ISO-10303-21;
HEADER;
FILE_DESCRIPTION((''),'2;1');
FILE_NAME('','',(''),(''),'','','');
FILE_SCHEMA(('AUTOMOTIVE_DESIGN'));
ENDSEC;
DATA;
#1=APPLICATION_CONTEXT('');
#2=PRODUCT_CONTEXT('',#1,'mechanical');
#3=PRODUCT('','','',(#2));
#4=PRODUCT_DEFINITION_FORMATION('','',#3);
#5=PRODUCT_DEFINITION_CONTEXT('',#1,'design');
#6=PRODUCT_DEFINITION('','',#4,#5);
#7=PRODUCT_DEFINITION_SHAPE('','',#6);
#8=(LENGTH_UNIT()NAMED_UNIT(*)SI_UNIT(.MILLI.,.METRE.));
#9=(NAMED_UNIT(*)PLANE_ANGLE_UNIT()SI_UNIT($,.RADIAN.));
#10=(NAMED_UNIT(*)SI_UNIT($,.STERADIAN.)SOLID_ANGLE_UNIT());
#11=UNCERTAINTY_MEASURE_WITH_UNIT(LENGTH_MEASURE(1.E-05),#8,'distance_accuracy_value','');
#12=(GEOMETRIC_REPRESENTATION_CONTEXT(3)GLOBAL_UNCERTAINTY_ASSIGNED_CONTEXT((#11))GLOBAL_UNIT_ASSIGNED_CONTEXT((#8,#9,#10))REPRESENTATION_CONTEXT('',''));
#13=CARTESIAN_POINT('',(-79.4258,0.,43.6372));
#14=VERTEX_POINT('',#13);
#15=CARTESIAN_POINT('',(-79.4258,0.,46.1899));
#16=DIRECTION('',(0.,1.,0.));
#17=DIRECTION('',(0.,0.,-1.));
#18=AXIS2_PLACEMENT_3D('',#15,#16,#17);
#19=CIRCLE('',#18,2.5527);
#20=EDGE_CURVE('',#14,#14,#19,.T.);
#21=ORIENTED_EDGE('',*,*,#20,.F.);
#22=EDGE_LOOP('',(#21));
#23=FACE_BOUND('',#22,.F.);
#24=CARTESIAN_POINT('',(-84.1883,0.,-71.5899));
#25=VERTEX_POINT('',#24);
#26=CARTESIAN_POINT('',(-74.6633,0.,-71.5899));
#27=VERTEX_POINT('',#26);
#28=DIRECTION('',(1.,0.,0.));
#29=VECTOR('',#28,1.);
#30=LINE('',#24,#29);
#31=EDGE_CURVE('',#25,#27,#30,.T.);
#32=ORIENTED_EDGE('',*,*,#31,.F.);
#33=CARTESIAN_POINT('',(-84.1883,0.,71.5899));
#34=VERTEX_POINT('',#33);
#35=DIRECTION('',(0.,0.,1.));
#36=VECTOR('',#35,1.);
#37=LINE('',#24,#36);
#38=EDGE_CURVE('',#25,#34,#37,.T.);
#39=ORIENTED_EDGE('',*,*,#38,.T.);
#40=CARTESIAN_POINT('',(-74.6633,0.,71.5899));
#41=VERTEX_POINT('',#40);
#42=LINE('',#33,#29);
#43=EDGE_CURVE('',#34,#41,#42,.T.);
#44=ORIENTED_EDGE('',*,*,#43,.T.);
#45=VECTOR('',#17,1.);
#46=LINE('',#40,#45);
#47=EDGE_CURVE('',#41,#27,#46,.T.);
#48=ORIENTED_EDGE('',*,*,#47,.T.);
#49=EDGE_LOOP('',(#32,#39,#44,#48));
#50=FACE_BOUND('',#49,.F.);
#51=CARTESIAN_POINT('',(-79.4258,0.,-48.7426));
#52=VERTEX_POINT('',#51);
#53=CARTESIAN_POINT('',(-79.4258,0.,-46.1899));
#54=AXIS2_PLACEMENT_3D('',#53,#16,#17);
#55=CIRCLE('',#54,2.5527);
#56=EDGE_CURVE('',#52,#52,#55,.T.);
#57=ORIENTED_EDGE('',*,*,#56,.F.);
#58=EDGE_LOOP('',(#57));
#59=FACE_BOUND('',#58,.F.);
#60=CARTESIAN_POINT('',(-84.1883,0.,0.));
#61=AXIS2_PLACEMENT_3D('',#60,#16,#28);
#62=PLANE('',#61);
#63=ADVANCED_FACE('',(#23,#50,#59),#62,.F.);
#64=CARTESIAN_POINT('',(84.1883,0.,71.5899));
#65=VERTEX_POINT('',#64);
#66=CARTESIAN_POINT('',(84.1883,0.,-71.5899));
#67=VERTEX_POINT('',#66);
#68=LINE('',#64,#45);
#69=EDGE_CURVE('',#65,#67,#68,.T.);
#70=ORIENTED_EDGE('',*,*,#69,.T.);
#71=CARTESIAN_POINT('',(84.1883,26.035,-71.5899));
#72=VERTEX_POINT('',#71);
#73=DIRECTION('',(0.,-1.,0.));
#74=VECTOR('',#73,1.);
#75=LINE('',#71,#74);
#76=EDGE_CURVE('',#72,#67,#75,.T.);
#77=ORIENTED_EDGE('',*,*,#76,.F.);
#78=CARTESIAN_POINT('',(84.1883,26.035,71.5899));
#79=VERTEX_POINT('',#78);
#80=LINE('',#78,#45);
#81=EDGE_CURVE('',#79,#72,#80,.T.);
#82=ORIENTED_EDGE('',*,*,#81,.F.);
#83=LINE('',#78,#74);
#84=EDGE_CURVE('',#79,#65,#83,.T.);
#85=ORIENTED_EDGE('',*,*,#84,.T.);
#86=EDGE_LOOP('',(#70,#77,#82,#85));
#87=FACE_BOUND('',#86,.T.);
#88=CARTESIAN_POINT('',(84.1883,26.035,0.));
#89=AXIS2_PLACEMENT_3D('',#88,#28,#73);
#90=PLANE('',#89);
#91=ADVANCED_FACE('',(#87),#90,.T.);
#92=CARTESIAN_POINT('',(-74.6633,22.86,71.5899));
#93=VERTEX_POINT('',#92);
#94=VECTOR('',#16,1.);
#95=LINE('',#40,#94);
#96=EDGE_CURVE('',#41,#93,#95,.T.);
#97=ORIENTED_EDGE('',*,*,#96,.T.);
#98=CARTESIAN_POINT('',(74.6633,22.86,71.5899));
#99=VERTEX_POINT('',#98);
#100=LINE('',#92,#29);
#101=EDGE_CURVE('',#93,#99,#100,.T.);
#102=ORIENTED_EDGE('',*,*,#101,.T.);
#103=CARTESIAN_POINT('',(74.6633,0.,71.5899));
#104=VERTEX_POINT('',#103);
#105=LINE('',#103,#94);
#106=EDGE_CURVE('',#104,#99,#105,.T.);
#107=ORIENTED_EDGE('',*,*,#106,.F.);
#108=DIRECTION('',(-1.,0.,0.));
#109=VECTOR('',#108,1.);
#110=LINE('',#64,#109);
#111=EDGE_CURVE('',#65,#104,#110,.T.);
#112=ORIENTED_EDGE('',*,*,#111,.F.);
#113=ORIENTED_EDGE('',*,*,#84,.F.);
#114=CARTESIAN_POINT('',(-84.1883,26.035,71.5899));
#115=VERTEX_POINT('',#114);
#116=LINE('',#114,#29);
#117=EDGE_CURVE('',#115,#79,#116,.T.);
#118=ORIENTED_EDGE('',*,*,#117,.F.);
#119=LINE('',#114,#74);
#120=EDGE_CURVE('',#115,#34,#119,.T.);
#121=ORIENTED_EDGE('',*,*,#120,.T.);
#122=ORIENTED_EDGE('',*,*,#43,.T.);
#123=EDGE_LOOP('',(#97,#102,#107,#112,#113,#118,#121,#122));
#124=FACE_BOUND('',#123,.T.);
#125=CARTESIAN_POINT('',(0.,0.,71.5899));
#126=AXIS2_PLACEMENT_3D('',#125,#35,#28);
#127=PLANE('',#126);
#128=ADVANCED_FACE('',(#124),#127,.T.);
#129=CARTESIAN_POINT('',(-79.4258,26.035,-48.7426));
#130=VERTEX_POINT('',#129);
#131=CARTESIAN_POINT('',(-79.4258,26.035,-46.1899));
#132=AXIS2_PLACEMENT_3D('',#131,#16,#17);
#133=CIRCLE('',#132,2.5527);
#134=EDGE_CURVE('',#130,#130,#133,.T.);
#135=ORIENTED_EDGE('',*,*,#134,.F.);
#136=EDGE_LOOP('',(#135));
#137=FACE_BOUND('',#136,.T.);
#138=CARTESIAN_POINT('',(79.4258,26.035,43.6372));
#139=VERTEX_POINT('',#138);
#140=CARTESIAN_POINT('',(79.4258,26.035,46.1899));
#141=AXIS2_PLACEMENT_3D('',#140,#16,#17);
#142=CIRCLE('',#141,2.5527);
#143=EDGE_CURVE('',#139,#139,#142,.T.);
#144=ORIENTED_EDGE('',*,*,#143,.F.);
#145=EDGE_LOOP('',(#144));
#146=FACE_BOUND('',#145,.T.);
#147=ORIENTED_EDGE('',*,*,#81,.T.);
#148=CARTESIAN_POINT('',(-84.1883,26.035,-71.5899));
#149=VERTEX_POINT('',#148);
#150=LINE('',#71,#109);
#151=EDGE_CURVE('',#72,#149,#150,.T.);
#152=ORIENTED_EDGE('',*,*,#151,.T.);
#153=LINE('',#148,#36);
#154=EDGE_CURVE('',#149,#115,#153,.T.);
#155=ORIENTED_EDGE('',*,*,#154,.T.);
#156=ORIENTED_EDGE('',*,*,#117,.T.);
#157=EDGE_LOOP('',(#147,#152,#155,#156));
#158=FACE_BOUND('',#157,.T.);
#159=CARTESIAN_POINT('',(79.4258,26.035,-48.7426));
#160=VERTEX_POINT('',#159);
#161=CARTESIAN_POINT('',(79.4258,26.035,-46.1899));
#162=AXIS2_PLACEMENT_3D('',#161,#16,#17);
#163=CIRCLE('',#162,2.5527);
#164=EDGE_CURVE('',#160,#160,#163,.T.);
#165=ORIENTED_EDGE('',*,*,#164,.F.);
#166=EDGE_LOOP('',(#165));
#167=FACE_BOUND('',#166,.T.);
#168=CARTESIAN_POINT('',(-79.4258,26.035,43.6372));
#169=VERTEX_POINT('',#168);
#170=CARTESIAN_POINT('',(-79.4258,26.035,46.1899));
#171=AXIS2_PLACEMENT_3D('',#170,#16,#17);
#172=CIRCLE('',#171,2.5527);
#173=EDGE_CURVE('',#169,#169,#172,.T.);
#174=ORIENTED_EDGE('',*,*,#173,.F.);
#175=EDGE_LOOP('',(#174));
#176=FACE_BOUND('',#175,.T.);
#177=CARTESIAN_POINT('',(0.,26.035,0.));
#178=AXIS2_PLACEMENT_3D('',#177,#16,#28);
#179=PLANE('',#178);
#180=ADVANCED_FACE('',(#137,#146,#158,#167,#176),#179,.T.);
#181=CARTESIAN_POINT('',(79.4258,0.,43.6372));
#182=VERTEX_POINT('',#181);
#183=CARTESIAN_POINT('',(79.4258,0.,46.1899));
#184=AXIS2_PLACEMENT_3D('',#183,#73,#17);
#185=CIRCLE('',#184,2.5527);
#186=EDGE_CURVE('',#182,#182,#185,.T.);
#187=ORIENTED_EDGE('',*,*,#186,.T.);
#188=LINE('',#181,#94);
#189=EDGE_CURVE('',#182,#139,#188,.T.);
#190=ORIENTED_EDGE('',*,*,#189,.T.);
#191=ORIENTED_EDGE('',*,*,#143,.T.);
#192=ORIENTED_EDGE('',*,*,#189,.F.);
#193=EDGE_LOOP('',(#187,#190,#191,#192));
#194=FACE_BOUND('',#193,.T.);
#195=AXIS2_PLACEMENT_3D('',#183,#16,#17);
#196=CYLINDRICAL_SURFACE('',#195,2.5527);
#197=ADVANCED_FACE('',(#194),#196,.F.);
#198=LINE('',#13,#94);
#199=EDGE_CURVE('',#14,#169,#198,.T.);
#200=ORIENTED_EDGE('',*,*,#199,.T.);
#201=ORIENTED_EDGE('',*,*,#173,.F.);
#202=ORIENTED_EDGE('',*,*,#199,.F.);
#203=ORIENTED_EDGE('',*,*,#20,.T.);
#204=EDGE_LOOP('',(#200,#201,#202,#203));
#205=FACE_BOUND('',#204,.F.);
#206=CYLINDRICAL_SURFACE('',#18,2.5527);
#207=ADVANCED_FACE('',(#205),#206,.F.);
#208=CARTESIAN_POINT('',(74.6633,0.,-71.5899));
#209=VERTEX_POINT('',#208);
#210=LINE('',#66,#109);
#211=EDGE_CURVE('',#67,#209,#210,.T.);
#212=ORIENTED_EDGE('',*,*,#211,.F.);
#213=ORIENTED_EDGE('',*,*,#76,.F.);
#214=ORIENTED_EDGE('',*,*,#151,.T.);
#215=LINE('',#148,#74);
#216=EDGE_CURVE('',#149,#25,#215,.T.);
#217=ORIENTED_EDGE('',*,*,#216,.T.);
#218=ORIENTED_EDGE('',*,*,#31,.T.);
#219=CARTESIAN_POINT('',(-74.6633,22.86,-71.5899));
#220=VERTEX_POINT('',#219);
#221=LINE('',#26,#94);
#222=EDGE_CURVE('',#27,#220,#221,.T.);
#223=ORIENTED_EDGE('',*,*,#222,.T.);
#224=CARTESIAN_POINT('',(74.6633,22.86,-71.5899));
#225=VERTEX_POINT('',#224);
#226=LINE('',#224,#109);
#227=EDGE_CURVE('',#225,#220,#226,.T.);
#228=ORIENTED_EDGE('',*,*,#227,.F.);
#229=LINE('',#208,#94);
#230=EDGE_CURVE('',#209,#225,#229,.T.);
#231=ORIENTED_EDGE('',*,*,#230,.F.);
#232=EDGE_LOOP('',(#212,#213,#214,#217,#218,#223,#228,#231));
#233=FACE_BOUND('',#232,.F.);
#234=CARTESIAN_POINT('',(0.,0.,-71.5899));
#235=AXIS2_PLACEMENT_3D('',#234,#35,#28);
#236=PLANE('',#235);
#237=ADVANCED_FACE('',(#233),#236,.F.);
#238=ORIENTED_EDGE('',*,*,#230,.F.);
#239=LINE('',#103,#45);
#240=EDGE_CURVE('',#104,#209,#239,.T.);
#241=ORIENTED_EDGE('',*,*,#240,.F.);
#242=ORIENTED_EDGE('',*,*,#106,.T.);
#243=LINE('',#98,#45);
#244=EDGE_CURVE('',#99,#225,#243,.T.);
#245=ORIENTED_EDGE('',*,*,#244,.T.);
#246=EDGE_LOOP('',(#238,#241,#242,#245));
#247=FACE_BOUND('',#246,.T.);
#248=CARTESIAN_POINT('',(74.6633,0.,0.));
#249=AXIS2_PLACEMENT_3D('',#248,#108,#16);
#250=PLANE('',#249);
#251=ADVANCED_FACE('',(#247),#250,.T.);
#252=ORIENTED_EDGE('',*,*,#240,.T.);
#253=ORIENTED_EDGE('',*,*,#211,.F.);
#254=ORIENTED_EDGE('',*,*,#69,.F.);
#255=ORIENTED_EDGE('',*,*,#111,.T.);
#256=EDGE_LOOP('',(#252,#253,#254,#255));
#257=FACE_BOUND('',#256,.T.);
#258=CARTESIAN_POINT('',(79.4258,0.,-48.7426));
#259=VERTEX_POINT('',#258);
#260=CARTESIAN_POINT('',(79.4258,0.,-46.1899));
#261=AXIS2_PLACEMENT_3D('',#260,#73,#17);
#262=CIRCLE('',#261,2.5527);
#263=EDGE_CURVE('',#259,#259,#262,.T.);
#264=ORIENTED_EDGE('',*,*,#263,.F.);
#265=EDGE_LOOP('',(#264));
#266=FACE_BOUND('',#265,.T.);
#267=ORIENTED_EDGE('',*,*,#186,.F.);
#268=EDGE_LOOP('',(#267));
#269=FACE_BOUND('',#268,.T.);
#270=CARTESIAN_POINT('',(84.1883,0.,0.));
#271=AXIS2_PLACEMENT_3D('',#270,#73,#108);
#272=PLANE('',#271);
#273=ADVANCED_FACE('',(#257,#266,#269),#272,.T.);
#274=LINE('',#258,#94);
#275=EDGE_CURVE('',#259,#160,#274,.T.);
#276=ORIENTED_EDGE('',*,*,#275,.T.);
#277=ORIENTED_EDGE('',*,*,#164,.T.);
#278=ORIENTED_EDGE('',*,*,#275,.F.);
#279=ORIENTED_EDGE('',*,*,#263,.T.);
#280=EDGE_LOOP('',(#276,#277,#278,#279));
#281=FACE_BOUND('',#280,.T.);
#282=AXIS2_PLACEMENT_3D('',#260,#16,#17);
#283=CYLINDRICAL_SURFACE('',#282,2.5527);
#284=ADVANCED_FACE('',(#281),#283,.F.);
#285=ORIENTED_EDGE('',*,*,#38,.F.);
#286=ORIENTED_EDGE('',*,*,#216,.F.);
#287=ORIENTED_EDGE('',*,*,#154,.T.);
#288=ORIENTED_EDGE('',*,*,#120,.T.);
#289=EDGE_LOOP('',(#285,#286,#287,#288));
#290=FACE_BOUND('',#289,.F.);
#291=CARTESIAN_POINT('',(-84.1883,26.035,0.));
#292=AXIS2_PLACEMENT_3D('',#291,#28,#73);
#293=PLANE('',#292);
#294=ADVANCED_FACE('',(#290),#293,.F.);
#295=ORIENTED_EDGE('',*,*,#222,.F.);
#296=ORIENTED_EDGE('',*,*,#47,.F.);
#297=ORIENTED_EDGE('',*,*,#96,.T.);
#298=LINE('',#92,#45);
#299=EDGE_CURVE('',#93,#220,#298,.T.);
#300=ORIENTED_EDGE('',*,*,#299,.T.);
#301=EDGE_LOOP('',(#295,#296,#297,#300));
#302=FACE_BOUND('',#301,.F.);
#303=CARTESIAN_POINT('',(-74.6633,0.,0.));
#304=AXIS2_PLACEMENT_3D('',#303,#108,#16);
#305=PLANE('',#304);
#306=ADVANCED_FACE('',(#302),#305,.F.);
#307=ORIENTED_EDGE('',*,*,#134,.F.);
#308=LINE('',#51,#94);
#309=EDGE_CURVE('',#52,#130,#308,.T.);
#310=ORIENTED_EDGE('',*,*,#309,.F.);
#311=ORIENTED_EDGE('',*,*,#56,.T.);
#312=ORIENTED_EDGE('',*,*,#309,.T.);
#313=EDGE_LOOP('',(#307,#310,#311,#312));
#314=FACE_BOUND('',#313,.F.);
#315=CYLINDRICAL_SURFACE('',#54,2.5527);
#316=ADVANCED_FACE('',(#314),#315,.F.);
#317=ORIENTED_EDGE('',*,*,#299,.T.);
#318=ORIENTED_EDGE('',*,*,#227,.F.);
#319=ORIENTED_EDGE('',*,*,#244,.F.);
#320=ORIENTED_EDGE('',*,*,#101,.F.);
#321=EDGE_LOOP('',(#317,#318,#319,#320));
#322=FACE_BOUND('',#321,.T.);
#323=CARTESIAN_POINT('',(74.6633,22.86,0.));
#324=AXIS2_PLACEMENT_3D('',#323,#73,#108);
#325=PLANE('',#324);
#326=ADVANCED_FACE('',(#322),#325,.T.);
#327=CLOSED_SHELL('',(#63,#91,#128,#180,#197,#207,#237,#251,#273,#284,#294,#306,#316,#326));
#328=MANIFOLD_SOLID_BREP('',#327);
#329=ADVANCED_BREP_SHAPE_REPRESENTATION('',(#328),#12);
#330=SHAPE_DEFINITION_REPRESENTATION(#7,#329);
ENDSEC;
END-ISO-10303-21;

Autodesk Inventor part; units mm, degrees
ref_plane "YZ Plane" through (0, 0, 0) normal (1, 0, 0) x (0, 1, 0)
ref_plane "XZ Plane" through (0, 0, 0) normal (0, 1, 0) x (-1, 0, 0)
ref_plane "XY Plane" through (0, 0, 0) normal (0, 0, 1) x (1, 0, 0)
sketch "Sketch1" plane through (0, 0, 0) normal (0, 0, 1) x (1, 0, 0)
  line L0 (0, 26.035) -> (-84.1883, 26.035)
  line L1 (-84.1883, 26.035) -> (-84.1883, 0)
  line L2 (-84.1883, 0) -> (-74.6633, 0)
  line L3 (-74.6633, 0) -> (-74.6633, 22.86)
  line L4 (-74.6633, 22.86) -> (0, 22.86)
  line L5 (0, 0) -> (0, 26.035) construction
  line L6 (0, 26.035) -> (84.1883, 26.035)
  line L7 (84.1883, 26.035) -> (84.1883, 0)
  line L8 (84.1883, 0) -> (74.6633, 0)
  line L9 (74.6633, 0) -> (74.6633, 22.86)
  line L10 (74.6633, 22.86) -> (0, 22.86)
  dimension "d0" = 22.86
  dimension "d1" = 3.175
  dimension "d2" = 9.525
  dimension "d3" = 74.6633
extrude "Extrusion1" add sketch "Sketch1" along normal mid plane 143.1798
sketch "Sketch2" plane through (-84.1883, 0, 71.5899) normal (0, -1, 0) x (1, 0, 0)
  line L0 (0, -143.1798) -> (168.3766, -143.1798) construction
  line L1 (4.7625, -143.1798) -> (4.7625, -0.1575) construction
  line L2 (0, 0) -> (9.525, 0) projected
  point P0 (84.1883, -71.5899)
  point P1 (4.7625, -117.7798)
  point P2 (4.7625, -25.4)
  dimension "d6" = 4.7625
  dimension "d7" = 25.4
  dimension "d8" = 25.4
hole "Hole1" at (-79.4258, 0, -46.1899) at (-79.4258, 0, 46.1899) direction (0, 1, 0) diameter 5.1054 end through all clearance for "Flat Head Machine Screw (82)" size "#10" standard "Ansi Unified Screw Threads"
mirror "Mirror1" about plane through (0, 0, 0) normal (1, 0, 0) of "Hole1"
sketch "Sketch3" plane through (-84.1883, 26.035, 71.5899) normal (0, 1, 0) x (1, 0, 0)
  line L0 (11.1125, 0) -> (157.2641, 0) construction
  line L1 (157.2641, 0) -> (157.2641, 143.1798) construction
  line L2 (157.2641, 143.1798) -> (11.1125, 143.1798) construction
  line L3 (11.1125, 143.1798) -> (11.1125, 0) construction
  line L4 (11.1125, 0) -> (157.2641, 143.1798) construction
  line L5 (157.2641, 0) -> (11.1125, 143.1798) construction
  line L6 (51.9303, 1.2954) -> (83.4263, 1.2954)
  line L7 (83.4263, 1.2954) -> (83.4263, 9.9314)
  line L8 (83.4263, 9.9314) -> (51.9303, 9.9314)
  line L9 (51.9303, 9.9314) -> (51.9303, 1.2954)
  line L10 (51.9303, 1.2954) -> (83.4263, 9.9314) construction
  line L11 (83.4263, 1.2954) -> (51.9303, 9.9314) construction
  line L12 (168.3766, 0) -> (0, 0) projected
  line L13 (84.9503, 1.2954) -> (116.4463, 1.2954)
  line L14 (116.4463, 1.2954) -> (116.4463, 9.9314)
  line L15 (116.4463, 9.9314) -> (84.9503, 9.9314)
  line L16 (84.9503, 9.9314) -> (84.9503, 1.2954)
  line L17 (84.9503, 1.2954) -> (116.4463, 9.9314) construction
  line L18 (116.4463, 1.2954) -> (84.9503, 9.9314) construction
  line L19 (123.5075, 2.8702) -> (145.4785, 2.8702)
  line L20 (145.4785, 2.8702) -> (145.4785, 20.6502)
  line L21 (145.4785, 20.6502) -> (123.5075, 20.6502)
  line L22 (123.5075, 20.6502) -> (123.5075, 2.8702)
  line L23 (123.5075, 2.8702) -> (145.4785, 20.6502) construction
  line L24 (145.4785, 2.8702) -> (123.5075, 20.6502) construction
  line L25 (15.2273, 15.1892) -> (24.7523, 15.1892)
  line L26 (24.7523, 15.1892) -> (24.7523, 92.4052)
  line L27 (24.7523, 92.4052) -> (15.2273, 92.4052)
  line L28 (15.2273, 92.4052) -> (15.2273, 15.1892)
  line L29 (15.2273, 15.1892) -> (24.7523, 92.4052) construction
  line L30 (24.7523, 15.1892) -> (15.2273, 92.4052) construction
  line L31 (123.0503, 118.7704) -> (133.0833, 118.7704)
  line L32 (133.0833, 118.7704) -> (133.0833, 140.8684)
  line L33 (133.0833, 140.8684) -> (123.0503, 140.8684)
  line L34 (123.0503, 140.8684) -> (123.0503, 118.7704)
  line L35 (123.0503, 118.7704) -> (133.0833, 140.8684) construction
  line L36 (133.0833, 118.7704) -> (123.0503, 140.8684) construction
  line L37 (137.5791, 97.028) -> (157.2641, 97.028)
  line L38 (157.2641, 97.028) -> (157.2641, 133.096)
  line L39 (157.2641, 133.096) -> (137.5791, 133.096)
  line L40 (137.5791, 133.096) -> (137.5791, 97.028)
  line L41 (137.5791, 97.028) -> (157.2641, 133.096) construction
  line L42 (157.2641, 97.028) -> (137.5791, 133.096) construction
  line L43 (144.5133, 16.3322) -> (154.0383, 16.3322)
  line L44 (154.0383, 16.3322) -> (154.0383, 95.4786)
  line L45 (154.0383, 95.4786) -> (144.5133, 95.4786)
  line L46 (144.5133, 95.4786) -> (144.5133, 16.3322)
  line L47 (144.5133, 16.3322) -> (154.0383, 95.4786) construction
  line L48 (154.0383, 16.3322) -> (144.5133, 95.4786) construction
  line L49 (36.8173, 121.8184) -> (48.1203, 121.8184)
  line L50 (48.1203, 121.8184) -> (48.1203, 139.0904)
  line L51 (48.1203, 139.0904) -> (36.8173, 139.0904)
  line L52 (36.8173, 139.0904) -> (36.8173, 121.8184)
  line L53 (36.8173, 121.8184) -> (48.1203, 139.0904) construction
  line L54 (48.1203, 121.8184) -> (36.8173, 139.0904) construction
  line L55 (29.0703, 4.1148) -> (37.8333, 4.1148)
  line L56 (37.8333, 4.1148) -> (37.8333, 12.8778)
  line L57 (37.8333, 12.8778) -> (29.0703, 12.8778)
  line L58 (29.0703, 12.8778) -> (29.0703, 4.1148)
  line L59 (29.0703, 4.1148) -> (37.8333, 12.8778) construction
  line L60 (37.8333, 4.1148) -> (29.0703, 12.8778) construction
  line L61 (15.2273, 95.2754) -> (24.7523, 95.2754)
  line L62 (24.7523, 95.2754) -> (24.7523, 104.8004)
  line L63 (24.7523, 104.8004) -> (15.2273, 104.8004)
  line L64 (15.2273, 104.8004) -> (15.2273, 95.2754)
  line L65 (15.2273, 95.2754) -> (24.7523, 104.8004) construction
  line L66 (24.7523, 95.2754) -> (15.2273, 104.8004) construction
  line L67 (15.2273, 106.68) -> (25.8953, 106.68)
  line L68 (25.8953, 106.68) -> (25.8953, 114.681)
  line L69 (25.8953, 114.681) -> (15.2273, 114.681)
  line L70 (15.2273, 114.681) -> (15.2273, 106.68)
  line L71 (15.2273, 106.68) -> (25.8953, 114.681) construction
  line L72 (25.8953, 106.68) -> (15.2273, 114.681) construction
  point P0 (84.1883, 71.5899)
  point P1 (67.6783, 5.6134)
  point P2 (100.6983, 5.6134)
  point P3 (134.493, 11.7602)
  point P4 (19.9898, 53.7972)
  point P5 (128.0668, 129.8194)
  point P6 (147.4216, 115.062)
  point P7 (149.2758, 55.9054)
  point P8 (42.4688, 130.4544)
  point P9 (33.4518, 8.4963)
  point P10 (19.9898, 100.0379)
  point P11 (20.5613, 110.6805)
  dimension "d16" = 143.1798
  dimension "d17" = 146.1516
  dimension "d18" = 31.496
  dimension "d19" = 8.636
  dimension "d20" = 40.8178
  dimension "d21" = 1.2954
  dimension "d22" = 31.496
  dimension "d23" = 8.636
  dimension "d24" = 73.8378
  dimension "d25" = 1.2954
  dimension "d26" = 17.78
  dimension "d27" = 21.971
  dimension "d28" = 2.8702
  dimension "d29" = 112.395
  dimension "d30" = 77.216
  dimension "d31" = 9.525
  dimension "d32" = 15.1892
  dimension "d33" = 4.1148
  dimension "d34" = 10.033
  dimension "d35" = 22.098
  dimension "d36" = 111.9378
  dimension "d37" = 118.7704
  dimension "d38" = 19.685
  dimension "d39" = 36.068
  dimension "d40" = 97.028
  dimension "d41" = 9.525
  dimension "d42" = 79.1464
  dimension "d43" = 16.3322
  dimension "d44" = 133.4008
  dimension "d45" = 11.303
  dimension "d46" = 17.272
  dimension "d47" = 25.7048
  dimension "d48" = 121.8184
  dimension "d49" = 8.763
  dimension "d50" = 8.763
  dimension "d51" = 17.9578
  dimension "d52" = 4.1148
  dimension "d53" = 9.525
  dimension "d54" = 9.525
  dimension "d55" = 95.2754
  dimension "d56" = 4.1148
  dimension "d57" = 10.668
  dimension "d58" = 8.001
  dimension "d59" = 4.1148
  dimension "d60" = 106.68
equation "\"d0\" = heightForRIO"
equation "\"d1\" = topWallThickness"
equation "\"d2\" = edgeWallThickness"
equation "\"d3\" = 0.5 * widthOfRIO + widthAirGap"
equation "\"d4\" = depthOfRIO"
equation "\"d6\" = 0.5 * edgeWallThickness"
equation "\"d16\" = depthOfRIO"
equation "\"d17\" = widthOfRIO"
equation "\"d18\" = widthForBottomRelay"
equation "\"d19\" = depthForBottomRelay"
equation "\"d20\" = edgeToBottomRelay"
equation "\"d21\" = bottomToBottomRelay"
equation "\"d22\" = widthForBottomAnalogIn"
equation "\"d23\" = depthForBottomAnalogIn"
equation "\"d24\" = edgeToBottomAnalogIn"
equation "\"d25\" = bottomToBottomAnalogIn"
equation "\"d26\" = buttonDepth"
equation "\"d27\" = buttonWidth"
equation "\"d28\" = bottomToBottomButton"
equation "\"d29\" = edgeToBottomButton"
equation "\"d30\" = depthLeftDIO"
equation "\"d31\" = widthLeftDIO"
equation "\"d32\" = bottomToLeftDIO"
equation "\"d33\" = edgeToLeftDIO"
equation "\"d34\" = widthSPI"
equation "\"d35\" = depthSPI"
equation "\"d36\" = edgeToSPI"
equation "\"d37\" = bottomToSPI"
equation "\"d38\" = widthLight"
equation "\"d39\" = depthLight"
equation "\"d40\" = bottomToLight"
equation "\"d41\" = widthPWM"
equation "\"d42\" = depthPWM"
equation "\"d43\" = bottomToPWM"
equation "\"d44\" = edgeToPWM"
equation "\"d45\" = widthPower"
equation "\"d46\" = depthPower"
equation "\"d47\" = edgeToPower"
equation "\"d48\" = bottomToPower"
equation "\"d49\" = widthRSL"
equation "\"d50\" = depthRSL"
equation "\"d51\" = edgeToRSL"
equation "\"d52\" = bottomToRSL"
equation "\"d53\" = widthRS232"
equation "\"d54\" = depthRS232"
equation "\"d55\" = bottomToRS232"
equation "\"d56\" = edgeToRS232"
equation "\"d57\" = widthI2C"
equation "\"d58\" = depthI2C"
equation "\"d59\" = edgeToI2C"
equation "\"d60\" = bottomToI2C"
equation "\"heightForRIO\" = 22.86"
equation "\"topWallThickness\" = 3.175"
equation "\"edgeWallThickness\" = 9.525"
equation "\"widthOfRIO\" = 146.1516"
equation "\"widthAirGap\" = 1.5875"
equation "\"depthOfRIO\" = 143.1798"
equation "\"depthForBottomRelay\" = 8.636"
equation "\"widthForBottomRelay\" = 31.496"
equation "\"componentGap\" = 3.175"
equation "\"edgeToBottomRelay\" = 40.8178"
equation "\"bottomToBottomRelay\" = 1.2954"
equation "\"depthForBottomAnalogIn\" = 8.636"
equation "\"widthForBottomAnalogIn\" = 31.496"
equation "\"edgeToBottomAnalogIn\" = 73.8378"
equation "\"bottomToBottomAnalogIn\" = 1.2954"
equation "\"buttonWidth\" = 21.971"
equation "\"buttonDepth\" = 17.78"
equation "\"bottomToBottomButton\" = 2.8702"
equation "\"edgeToBottomButton\" = 112.395"
equation "\"widthLeftDIO\" = 9.525"
equation "\"depthLeftDIO\" = 77.216"
equation "\"bottomToLeftDIO\" = 15.1892"
equation "\"edgeToLeftDIO\" = 4.1148"
equation "\"widthSPI\" = 10.033"
equation "\"depthSPI\" = 22.098"
equation "\"edgeToSPI\" = 111.9378"
equation "\"bottomToSPI\" = 118.7704"
equation "\"widthLight\" = 19.685"
equation "\"depthLight\" = 36.068"
equation "\"bottomToLight\" = 97.028"
equation "\"widthPWM\" = 9.525"
equation "\"depthPWM\" = 79.1464"
equation "\"bottomToPWM\" = 16.3322"
equation "\"edgeToPWM\" = 133.4008"
equation "\"widthPower\" = 11.303"
equation "\"depthPower\" = 17.272"
equation "\"edgeToPower\" = 25.7048"
equation "\"bottomToPower\" = 121.8184"
equation "\"widthRSL\" = 8.763"
equation "\"depthRSL\" = 8.763"
equation "\"bottomToRSL\" = 4.1148"
equation "\"edgeToRSL\" = 17.9578"
equation "\"widthRS232\" = 9.525"
equation "\"depthRS232\" = 9.525"
equation "\"bottomToRS232\" = 95.2754"
equation "\"edgeToRS232\" = 4.1148"
equation "\"widthI2C\" = 10.668"
equation "\"depthI2C\" = 8.001"
equation "\"edgeToI2C\" = 4.1148"
equation "\"bottomToI2C\" = 106.68"
properties part number "RioCoverPlate"
